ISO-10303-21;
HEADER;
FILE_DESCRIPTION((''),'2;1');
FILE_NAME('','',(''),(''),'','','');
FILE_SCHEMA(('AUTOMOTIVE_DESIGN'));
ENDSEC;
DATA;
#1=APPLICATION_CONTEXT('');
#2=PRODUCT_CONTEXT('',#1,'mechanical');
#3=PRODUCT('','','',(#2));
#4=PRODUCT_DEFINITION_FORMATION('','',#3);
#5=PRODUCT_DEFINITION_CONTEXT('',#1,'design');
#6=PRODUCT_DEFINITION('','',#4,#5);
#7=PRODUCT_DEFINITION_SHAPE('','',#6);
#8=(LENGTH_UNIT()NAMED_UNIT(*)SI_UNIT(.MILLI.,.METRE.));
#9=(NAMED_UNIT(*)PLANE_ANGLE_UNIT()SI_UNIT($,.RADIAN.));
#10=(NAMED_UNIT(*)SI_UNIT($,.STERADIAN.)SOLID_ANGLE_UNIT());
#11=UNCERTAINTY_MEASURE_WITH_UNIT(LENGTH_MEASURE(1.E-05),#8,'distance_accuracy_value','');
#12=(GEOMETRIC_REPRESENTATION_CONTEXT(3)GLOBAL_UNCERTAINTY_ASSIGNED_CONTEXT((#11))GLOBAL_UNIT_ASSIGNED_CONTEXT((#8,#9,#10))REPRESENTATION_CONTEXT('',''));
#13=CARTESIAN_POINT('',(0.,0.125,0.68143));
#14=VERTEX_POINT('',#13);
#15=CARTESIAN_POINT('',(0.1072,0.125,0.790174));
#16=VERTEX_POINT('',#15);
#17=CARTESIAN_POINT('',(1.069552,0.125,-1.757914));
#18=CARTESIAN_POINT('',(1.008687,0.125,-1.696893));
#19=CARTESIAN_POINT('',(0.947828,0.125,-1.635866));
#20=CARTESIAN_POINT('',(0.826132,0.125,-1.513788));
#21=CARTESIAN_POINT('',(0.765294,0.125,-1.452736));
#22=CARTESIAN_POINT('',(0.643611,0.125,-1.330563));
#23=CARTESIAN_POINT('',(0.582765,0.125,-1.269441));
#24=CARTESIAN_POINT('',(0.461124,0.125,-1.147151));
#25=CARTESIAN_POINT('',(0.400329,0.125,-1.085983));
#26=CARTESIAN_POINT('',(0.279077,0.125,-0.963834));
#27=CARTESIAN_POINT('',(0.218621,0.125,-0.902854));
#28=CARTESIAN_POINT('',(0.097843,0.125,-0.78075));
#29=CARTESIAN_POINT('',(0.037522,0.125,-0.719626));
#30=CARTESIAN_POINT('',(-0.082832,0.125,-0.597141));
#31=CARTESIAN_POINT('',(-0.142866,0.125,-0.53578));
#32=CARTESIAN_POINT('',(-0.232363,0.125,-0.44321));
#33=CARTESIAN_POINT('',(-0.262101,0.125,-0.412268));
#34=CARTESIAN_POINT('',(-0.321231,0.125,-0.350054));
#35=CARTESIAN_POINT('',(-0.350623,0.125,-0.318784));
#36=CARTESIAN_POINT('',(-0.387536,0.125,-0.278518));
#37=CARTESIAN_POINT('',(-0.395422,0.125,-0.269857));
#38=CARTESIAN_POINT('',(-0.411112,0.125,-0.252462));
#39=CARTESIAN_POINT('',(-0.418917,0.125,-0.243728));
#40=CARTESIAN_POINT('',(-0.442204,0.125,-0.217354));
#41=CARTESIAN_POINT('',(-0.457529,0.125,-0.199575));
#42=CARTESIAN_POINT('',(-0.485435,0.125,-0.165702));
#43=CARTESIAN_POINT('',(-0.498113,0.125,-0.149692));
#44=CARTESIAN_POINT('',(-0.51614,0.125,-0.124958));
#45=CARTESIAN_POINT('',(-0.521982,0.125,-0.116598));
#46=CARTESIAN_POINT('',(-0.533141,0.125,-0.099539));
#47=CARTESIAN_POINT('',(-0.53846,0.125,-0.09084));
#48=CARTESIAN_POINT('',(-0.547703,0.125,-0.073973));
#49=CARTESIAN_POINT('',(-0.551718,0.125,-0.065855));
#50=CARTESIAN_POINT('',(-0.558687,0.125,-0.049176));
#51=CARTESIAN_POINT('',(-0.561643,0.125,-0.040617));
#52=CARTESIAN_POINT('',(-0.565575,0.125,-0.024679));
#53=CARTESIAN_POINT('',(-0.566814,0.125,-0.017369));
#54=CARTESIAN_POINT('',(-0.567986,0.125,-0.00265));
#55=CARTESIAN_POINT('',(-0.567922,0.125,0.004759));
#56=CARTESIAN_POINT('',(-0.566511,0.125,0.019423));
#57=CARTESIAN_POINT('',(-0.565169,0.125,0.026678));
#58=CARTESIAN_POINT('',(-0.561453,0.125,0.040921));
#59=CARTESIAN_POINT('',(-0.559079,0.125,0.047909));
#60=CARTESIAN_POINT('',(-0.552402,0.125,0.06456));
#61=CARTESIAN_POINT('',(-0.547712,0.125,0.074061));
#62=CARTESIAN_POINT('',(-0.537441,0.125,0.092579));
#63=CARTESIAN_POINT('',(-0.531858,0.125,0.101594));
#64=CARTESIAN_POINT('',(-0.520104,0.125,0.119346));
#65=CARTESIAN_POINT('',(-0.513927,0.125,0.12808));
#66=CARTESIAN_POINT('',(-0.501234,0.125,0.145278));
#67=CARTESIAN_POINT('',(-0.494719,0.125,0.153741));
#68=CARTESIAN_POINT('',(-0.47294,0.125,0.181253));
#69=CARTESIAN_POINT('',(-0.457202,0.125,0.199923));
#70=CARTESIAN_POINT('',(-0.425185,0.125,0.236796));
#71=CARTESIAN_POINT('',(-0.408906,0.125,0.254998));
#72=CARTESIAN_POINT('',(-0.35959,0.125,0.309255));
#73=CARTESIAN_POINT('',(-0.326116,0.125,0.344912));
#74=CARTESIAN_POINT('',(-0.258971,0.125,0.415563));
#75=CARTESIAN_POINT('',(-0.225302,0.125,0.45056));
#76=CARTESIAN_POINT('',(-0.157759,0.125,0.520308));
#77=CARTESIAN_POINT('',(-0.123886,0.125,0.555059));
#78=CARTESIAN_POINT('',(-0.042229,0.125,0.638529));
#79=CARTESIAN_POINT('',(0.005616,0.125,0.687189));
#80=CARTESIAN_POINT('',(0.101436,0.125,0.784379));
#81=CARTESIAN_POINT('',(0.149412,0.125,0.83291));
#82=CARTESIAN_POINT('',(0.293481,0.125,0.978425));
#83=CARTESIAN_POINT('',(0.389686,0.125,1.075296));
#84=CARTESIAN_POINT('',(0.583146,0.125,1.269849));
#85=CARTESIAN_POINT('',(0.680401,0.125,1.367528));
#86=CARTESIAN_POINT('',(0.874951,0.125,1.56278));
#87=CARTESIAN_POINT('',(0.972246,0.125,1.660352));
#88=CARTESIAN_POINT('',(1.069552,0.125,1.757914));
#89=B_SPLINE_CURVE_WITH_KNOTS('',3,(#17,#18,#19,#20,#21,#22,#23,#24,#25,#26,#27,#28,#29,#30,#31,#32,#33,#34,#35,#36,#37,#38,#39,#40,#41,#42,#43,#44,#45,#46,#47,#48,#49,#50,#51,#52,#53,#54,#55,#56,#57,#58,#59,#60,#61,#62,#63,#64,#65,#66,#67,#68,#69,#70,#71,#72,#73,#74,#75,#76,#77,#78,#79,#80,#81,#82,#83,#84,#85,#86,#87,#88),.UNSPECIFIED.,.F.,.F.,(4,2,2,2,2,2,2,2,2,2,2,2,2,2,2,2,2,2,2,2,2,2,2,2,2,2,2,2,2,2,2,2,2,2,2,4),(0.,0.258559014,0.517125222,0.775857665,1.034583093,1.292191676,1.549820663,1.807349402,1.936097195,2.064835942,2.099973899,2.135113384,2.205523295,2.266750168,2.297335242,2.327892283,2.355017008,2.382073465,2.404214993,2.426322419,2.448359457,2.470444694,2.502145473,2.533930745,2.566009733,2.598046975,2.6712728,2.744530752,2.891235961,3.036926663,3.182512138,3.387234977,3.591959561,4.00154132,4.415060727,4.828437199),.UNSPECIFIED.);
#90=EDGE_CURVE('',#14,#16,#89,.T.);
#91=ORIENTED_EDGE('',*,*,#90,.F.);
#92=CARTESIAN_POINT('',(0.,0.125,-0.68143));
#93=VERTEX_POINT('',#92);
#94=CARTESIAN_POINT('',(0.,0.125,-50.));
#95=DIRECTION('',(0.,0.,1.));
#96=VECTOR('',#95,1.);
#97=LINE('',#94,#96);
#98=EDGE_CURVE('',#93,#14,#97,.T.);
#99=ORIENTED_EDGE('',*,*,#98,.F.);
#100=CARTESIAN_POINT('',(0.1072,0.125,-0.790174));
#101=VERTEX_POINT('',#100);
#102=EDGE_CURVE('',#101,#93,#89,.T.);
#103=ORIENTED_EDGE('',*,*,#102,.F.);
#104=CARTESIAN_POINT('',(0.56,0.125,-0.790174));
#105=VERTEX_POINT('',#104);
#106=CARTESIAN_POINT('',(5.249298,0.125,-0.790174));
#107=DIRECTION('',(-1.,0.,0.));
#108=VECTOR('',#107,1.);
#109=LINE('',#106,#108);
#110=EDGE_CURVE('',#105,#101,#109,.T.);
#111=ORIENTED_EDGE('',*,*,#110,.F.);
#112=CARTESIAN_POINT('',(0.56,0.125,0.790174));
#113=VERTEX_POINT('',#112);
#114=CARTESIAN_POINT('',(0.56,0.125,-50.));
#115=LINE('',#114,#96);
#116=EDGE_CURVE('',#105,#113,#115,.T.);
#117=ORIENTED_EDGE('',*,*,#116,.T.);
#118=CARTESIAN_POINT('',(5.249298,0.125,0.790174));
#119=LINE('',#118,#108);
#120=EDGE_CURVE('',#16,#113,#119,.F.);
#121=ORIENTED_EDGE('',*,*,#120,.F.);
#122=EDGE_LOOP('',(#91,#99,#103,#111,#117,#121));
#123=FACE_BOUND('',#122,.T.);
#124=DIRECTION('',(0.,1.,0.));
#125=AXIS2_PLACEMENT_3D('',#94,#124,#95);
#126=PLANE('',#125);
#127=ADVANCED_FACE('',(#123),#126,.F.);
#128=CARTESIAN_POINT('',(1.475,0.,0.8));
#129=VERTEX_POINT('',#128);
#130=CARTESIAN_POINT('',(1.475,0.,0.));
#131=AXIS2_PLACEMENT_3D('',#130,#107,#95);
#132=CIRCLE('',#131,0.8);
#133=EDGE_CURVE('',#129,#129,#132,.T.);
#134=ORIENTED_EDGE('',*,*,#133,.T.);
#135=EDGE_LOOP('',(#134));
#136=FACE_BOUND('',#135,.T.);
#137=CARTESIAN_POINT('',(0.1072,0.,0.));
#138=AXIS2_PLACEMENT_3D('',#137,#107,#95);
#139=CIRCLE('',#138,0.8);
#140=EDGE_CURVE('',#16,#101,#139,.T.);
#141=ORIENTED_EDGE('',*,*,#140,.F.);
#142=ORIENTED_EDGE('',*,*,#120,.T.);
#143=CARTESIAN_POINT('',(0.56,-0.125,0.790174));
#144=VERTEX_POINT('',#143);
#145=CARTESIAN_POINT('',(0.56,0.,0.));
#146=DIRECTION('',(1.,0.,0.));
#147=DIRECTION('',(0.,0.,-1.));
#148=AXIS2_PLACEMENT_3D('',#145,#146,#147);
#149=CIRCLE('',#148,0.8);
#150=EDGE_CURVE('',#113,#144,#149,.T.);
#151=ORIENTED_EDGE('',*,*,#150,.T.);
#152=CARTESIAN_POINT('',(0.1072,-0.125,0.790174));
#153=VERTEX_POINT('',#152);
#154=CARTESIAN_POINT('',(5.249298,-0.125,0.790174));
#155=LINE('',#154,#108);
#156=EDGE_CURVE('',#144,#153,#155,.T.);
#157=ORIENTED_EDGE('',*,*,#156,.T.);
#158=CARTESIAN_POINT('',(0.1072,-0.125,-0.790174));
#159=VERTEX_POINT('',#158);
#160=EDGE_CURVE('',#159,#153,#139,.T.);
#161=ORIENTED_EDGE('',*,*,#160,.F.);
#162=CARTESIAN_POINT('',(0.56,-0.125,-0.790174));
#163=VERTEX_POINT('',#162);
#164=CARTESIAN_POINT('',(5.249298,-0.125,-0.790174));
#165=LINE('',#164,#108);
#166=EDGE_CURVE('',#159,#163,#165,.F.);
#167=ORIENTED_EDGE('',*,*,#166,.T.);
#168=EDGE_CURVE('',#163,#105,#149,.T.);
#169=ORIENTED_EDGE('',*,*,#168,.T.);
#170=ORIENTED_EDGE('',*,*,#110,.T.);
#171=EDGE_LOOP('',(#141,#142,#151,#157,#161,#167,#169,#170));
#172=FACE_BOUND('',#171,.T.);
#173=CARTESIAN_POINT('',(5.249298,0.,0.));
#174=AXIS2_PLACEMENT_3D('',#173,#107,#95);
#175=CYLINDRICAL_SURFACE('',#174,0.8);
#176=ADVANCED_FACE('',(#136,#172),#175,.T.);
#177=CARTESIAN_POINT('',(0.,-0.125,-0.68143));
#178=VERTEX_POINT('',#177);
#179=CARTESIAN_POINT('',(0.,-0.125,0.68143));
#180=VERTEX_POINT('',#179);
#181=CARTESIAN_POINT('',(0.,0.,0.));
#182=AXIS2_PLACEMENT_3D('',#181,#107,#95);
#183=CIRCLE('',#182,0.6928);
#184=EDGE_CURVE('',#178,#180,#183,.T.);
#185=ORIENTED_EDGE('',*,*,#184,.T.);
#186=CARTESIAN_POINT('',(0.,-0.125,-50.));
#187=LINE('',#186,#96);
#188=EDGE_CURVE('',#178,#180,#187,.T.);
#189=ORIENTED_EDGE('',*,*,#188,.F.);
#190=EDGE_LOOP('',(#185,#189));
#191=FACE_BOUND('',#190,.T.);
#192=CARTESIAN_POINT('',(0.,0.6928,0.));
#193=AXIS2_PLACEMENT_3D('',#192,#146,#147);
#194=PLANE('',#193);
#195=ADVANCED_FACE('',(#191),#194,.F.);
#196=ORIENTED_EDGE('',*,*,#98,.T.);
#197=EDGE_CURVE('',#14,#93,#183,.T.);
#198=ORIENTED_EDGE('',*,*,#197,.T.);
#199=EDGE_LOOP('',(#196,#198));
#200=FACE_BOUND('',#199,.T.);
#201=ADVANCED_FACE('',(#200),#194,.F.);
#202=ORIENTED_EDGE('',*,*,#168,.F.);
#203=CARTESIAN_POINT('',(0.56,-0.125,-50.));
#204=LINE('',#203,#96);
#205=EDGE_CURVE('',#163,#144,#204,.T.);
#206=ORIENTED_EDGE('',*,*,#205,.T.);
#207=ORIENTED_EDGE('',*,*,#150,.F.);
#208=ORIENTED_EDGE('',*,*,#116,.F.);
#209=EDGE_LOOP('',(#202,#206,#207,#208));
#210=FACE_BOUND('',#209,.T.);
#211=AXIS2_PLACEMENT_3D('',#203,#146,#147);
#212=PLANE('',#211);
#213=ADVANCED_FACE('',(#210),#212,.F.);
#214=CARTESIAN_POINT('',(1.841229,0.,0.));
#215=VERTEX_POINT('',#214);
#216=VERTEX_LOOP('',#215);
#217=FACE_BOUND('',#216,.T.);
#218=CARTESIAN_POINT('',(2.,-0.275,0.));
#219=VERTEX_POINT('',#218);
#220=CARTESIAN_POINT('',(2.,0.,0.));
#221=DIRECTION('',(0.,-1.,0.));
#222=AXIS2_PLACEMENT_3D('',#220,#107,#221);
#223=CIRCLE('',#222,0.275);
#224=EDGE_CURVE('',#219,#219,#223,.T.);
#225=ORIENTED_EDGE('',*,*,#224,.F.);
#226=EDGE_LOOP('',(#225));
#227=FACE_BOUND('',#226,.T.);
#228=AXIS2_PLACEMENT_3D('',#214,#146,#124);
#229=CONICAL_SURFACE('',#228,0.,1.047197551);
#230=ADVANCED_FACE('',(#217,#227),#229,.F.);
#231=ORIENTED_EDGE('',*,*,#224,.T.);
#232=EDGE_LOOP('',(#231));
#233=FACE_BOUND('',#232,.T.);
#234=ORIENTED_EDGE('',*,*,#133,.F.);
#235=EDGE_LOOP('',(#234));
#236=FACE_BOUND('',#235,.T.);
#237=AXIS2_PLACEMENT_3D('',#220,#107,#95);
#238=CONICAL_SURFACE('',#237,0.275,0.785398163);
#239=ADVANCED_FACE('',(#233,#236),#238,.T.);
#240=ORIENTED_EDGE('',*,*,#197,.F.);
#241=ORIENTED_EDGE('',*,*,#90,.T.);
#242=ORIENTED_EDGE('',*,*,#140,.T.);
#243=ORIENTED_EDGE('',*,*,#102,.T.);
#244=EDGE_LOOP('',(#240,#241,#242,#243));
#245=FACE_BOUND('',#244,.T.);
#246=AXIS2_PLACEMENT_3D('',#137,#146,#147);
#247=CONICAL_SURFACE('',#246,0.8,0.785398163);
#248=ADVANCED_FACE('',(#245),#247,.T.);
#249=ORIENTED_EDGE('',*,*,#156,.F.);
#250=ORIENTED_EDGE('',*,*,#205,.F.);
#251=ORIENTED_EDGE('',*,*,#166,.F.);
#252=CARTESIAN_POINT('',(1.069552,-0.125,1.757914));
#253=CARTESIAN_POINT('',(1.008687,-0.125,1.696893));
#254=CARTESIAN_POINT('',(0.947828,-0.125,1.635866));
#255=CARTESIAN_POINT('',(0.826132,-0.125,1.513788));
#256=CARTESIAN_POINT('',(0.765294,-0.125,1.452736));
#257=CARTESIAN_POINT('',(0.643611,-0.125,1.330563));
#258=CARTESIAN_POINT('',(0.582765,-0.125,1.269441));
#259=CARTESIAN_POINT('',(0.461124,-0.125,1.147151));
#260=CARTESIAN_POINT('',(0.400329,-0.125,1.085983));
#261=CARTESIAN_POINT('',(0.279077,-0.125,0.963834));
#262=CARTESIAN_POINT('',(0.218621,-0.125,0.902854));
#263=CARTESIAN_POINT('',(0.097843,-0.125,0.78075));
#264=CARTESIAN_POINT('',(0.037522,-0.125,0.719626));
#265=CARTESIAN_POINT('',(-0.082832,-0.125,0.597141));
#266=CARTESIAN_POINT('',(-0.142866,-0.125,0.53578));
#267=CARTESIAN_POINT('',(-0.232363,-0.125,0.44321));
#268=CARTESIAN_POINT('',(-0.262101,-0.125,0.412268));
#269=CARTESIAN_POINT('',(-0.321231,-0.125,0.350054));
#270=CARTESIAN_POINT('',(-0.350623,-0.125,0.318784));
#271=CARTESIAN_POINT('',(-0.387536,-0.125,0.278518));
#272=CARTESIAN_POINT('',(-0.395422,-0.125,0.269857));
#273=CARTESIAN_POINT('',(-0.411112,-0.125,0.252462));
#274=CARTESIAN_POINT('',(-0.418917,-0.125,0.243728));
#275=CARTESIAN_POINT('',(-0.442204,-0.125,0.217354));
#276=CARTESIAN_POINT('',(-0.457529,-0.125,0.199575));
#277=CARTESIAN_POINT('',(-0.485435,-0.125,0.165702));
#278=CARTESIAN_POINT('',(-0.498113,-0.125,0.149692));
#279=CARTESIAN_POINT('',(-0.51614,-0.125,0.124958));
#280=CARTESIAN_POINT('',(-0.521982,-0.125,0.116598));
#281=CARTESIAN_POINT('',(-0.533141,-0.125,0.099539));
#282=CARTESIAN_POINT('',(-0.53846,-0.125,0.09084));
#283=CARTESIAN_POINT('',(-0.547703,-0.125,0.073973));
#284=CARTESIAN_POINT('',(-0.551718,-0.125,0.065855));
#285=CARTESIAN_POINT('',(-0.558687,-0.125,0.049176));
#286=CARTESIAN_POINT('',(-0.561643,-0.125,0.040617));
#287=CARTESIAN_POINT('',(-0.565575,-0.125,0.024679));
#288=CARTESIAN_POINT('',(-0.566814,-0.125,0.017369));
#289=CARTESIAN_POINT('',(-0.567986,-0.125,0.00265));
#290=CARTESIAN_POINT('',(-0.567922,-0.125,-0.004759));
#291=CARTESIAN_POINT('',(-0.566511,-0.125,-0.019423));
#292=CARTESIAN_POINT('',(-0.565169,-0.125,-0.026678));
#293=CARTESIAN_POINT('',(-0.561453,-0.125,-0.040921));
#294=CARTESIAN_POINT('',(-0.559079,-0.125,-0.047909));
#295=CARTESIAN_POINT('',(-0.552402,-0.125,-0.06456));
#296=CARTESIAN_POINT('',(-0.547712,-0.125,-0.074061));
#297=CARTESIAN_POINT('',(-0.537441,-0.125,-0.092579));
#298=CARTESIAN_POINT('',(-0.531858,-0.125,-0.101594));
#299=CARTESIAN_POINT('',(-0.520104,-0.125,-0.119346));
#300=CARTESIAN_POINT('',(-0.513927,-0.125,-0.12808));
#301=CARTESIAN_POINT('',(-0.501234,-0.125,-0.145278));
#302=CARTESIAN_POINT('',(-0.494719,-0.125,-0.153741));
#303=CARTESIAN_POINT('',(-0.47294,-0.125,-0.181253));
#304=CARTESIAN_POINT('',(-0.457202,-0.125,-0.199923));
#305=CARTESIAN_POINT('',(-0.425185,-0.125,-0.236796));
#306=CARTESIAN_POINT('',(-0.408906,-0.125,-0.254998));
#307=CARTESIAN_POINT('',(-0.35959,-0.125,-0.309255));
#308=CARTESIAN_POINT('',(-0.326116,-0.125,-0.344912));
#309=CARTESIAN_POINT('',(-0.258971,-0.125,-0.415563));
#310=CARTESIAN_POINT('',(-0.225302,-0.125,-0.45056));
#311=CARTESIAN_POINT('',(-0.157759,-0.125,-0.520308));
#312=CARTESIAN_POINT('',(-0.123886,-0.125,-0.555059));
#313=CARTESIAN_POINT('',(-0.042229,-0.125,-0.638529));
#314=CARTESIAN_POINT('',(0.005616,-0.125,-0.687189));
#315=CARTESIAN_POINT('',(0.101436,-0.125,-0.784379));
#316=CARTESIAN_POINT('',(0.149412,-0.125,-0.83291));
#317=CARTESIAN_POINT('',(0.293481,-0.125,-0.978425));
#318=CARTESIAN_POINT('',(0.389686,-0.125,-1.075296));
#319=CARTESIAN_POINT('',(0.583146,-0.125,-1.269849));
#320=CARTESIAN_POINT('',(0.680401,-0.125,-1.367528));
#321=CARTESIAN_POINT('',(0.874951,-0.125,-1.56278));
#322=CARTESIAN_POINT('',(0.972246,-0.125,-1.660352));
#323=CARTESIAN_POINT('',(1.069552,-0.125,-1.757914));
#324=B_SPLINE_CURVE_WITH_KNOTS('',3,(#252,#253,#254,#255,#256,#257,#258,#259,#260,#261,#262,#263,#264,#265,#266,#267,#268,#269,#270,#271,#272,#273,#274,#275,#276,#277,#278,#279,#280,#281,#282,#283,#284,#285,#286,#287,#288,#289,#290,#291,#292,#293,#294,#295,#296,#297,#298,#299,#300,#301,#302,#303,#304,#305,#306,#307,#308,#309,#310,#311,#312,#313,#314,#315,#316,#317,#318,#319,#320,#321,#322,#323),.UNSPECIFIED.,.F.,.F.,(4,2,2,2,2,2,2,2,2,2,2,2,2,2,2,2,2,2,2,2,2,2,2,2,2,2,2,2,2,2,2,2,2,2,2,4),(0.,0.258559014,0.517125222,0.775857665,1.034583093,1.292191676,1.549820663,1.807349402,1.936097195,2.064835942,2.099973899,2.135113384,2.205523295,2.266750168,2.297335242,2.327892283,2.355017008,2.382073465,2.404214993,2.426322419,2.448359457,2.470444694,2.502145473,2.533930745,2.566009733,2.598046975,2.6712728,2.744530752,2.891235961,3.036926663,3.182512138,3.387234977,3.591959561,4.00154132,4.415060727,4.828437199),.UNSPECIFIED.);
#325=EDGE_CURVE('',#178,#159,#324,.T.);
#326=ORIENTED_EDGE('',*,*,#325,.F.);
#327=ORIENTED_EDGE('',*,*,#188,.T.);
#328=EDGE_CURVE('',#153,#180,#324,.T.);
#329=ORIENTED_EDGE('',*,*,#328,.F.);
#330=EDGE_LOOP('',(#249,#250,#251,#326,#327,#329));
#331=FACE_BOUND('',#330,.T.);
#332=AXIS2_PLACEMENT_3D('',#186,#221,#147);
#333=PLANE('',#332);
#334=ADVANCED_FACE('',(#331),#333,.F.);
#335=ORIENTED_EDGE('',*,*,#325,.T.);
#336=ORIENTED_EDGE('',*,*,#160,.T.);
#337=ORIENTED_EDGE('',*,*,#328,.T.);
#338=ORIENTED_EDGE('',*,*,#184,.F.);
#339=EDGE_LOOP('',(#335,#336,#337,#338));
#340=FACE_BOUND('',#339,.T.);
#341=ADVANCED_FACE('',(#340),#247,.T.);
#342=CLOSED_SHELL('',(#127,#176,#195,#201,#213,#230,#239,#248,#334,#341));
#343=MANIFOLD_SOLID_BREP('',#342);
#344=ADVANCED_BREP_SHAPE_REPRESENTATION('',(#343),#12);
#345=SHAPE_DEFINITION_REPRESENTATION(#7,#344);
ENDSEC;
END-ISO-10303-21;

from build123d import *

# Parameters (mm, degrees)
SKETCH_3_W          = 0.56
SKETCH_3_H          = 0.25
CUT_EXTRUDE_1_DEPTH = 50


with BuildPart() as part:
    # 草图2 → Revolve 583 (revolve)
    with BuildSketch(Plane.XY, mode=Mode.PRIVATE) as revolve_583_sk:
        Polygon((0, 0), (2, 0), (2, 0.275), (1.475, 0.8), (0.1072, 0.8), (0, 0.6928), align=None)
    revolve(revolve_583_sk.sketch.rotate(Axis((5.249298441, 0, 0), (1, 0, 0)), 90), axis=Axis((5.249298441, 0, 0), (1, 0, 0)))

    # 草图3 → 切除-拉伸1 (cut, symmetric)
    with BuildSketch(Plane.XY):
        with Locations((0.28, 0)):
            Rectangle(SKETCH_3_W, SKETCH_3_H)
    extrude(amount=CUT_EXTRUDE_1_DEPTH, both=True, mode=Mode.SUBTRACT)

    # 草图5 → 切除-旋转2 (revolve, cut)
    with BuildSketch(Plane.XY, mode=Mode.PRIVATE) as cut_revolve_2_sk:
        Polygon((2, 0), (1.841228676, 0), (2, -0.275), align=None)
    revolve(cut_revolve_2_sk.sketch.rotate(Axis((7.723304106, 0, 0), (1, 0, 0)), 180), axis=Axis((7.723304106, 0, 0), (1, 0, 0)), mode=Mode.SUBTRACT)


solid = part.part
